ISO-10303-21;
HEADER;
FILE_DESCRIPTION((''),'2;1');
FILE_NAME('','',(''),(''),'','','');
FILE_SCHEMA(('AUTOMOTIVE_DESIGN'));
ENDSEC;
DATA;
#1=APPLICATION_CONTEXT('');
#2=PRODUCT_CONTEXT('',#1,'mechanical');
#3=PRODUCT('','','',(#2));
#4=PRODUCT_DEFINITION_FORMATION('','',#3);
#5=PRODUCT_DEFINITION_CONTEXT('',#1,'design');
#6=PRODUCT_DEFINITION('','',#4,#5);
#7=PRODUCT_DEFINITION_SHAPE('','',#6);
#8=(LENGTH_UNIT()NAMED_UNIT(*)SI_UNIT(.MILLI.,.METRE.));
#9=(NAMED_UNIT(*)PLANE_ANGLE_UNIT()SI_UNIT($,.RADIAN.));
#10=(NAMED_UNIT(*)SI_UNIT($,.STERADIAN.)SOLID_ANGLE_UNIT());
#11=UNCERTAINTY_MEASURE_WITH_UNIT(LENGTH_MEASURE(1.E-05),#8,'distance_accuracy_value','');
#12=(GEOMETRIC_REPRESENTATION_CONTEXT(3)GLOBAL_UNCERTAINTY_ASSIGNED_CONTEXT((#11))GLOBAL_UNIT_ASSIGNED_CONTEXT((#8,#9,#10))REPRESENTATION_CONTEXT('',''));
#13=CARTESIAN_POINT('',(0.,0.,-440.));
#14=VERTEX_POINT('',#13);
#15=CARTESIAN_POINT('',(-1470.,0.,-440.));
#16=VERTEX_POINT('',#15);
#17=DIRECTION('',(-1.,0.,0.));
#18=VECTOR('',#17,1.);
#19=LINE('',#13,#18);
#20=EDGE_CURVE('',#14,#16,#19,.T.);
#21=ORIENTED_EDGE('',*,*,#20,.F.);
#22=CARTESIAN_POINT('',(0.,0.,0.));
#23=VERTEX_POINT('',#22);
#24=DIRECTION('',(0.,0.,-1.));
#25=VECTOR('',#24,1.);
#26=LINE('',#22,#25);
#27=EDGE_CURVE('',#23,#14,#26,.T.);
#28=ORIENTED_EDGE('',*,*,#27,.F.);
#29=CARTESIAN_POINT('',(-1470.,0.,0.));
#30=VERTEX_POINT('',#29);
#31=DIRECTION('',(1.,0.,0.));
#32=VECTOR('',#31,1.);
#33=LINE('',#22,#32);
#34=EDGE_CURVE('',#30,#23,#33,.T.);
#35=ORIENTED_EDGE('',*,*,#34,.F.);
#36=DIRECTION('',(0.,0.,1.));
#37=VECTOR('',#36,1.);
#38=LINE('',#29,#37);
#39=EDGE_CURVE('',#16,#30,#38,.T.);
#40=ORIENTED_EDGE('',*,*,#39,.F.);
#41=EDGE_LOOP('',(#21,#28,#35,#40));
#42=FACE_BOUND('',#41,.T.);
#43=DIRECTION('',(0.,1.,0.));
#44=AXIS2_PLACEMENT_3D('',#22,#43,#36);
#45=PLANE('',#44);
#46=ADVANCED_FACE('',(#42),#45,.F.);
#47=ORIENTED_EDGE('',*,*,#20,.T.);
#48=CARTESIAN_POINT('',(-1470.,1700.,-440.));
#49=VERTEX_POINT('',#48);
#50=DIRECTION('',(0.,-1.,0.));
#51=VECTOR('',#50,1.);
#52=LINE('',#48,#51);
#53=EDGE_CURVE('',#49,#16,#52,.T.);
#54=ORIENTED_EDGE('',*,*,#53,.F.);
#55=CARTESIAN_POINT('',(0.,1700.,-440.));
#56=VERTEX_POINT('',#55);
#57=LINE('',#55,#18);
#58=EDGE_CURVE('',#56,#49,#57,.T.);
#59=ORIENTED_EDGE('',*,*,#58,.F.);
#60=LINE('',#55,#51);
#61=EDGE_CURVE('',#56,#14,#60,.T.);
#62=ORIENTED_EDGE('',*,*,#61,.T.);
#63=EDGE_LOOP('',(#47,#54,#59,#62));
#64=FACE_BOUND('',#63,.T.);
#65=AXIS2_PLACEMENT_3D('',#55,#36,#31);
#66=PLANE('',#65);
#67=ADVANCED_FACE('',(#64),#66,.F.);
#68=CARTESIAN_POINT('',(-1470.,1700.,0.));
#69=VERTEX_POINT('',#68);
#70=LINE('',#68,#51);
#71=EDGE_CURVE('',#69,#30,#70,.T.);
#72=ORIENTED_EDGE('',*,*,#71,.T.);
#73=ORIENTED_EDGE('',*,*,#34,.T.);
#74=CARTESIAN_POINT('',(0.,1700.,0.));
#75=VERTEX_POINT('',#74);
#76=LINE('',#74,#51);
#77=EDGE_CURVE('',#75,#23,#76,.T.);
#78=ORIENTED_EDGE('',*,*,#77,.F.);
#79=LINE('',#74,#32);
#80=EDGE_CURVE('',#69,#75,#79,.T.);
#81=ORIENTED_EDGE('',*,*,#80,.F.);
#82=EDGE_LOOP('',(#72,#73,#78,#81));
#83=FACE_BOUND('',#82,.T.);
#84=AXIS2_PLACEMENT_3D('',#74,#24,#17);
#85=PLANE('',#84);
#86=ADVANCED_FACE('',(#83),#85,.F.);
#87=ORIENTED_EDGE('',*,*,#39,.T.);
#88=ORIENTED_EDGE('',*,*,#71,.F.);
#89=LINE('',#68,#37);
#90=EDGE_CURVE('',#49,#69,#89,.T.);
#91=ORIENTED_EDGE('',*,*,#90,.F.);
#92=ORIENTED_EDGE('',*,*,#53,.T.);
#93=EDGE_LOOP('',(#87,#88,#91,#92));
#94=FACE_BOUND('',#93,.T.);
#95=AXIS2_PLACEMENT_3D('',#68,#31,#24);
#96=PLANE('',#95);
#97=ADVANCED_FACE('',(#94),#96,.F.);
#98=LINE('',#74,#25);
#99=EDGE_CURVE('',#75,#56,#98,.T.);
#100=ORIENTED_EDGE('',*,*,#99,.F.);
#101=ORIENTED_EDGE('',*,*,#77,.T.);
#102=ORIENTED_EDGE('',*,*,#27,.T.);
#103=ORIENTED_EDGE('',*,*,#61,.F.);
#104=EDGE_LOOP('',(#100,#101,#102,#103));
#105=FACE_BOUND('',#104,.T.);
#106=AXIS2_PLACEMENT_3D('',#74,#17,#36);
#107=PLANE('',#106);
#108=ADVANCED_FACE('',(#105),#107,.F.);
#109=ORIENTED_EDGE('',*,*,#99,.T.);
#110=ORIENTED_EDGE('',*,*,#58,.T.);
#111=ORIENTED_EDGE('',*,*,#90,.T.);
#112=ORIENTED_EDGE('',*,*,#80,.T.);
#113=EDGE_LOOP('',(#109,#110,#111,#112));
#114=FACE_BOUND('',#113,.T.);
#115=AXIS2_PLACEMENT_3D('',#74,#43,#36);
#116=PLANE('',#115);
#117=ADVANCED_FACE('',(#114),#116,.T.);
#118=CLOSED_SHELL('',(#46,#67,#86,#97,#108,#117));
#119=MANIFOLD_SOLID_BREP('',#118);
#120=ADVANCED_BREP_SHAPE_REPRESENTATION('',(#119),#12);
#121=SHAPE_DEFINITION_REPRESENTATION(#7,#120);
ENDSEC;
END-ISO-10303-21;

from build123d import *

# Parameters (mm, degrees)
SKETCH_1_W      = 1470
SKETCH_1_H      = 440
EXTRUDE_1_DEPTH = 1700


with BuildPart() as part:
    # 草图1 → 凸台-拉伸1 (new body)
    with BuildSketch(Plane(origin=(0, 0, 0), x_dir=(1, 0, 0), z_dir=(0, 1, 0))):
        with Locations((-735, 220)):
            Rectangle(SKETCH_1_W, SKETCH_1_H)
    extrude(amount=EXTRUDE_1_DEPTH)


solid = part.part
